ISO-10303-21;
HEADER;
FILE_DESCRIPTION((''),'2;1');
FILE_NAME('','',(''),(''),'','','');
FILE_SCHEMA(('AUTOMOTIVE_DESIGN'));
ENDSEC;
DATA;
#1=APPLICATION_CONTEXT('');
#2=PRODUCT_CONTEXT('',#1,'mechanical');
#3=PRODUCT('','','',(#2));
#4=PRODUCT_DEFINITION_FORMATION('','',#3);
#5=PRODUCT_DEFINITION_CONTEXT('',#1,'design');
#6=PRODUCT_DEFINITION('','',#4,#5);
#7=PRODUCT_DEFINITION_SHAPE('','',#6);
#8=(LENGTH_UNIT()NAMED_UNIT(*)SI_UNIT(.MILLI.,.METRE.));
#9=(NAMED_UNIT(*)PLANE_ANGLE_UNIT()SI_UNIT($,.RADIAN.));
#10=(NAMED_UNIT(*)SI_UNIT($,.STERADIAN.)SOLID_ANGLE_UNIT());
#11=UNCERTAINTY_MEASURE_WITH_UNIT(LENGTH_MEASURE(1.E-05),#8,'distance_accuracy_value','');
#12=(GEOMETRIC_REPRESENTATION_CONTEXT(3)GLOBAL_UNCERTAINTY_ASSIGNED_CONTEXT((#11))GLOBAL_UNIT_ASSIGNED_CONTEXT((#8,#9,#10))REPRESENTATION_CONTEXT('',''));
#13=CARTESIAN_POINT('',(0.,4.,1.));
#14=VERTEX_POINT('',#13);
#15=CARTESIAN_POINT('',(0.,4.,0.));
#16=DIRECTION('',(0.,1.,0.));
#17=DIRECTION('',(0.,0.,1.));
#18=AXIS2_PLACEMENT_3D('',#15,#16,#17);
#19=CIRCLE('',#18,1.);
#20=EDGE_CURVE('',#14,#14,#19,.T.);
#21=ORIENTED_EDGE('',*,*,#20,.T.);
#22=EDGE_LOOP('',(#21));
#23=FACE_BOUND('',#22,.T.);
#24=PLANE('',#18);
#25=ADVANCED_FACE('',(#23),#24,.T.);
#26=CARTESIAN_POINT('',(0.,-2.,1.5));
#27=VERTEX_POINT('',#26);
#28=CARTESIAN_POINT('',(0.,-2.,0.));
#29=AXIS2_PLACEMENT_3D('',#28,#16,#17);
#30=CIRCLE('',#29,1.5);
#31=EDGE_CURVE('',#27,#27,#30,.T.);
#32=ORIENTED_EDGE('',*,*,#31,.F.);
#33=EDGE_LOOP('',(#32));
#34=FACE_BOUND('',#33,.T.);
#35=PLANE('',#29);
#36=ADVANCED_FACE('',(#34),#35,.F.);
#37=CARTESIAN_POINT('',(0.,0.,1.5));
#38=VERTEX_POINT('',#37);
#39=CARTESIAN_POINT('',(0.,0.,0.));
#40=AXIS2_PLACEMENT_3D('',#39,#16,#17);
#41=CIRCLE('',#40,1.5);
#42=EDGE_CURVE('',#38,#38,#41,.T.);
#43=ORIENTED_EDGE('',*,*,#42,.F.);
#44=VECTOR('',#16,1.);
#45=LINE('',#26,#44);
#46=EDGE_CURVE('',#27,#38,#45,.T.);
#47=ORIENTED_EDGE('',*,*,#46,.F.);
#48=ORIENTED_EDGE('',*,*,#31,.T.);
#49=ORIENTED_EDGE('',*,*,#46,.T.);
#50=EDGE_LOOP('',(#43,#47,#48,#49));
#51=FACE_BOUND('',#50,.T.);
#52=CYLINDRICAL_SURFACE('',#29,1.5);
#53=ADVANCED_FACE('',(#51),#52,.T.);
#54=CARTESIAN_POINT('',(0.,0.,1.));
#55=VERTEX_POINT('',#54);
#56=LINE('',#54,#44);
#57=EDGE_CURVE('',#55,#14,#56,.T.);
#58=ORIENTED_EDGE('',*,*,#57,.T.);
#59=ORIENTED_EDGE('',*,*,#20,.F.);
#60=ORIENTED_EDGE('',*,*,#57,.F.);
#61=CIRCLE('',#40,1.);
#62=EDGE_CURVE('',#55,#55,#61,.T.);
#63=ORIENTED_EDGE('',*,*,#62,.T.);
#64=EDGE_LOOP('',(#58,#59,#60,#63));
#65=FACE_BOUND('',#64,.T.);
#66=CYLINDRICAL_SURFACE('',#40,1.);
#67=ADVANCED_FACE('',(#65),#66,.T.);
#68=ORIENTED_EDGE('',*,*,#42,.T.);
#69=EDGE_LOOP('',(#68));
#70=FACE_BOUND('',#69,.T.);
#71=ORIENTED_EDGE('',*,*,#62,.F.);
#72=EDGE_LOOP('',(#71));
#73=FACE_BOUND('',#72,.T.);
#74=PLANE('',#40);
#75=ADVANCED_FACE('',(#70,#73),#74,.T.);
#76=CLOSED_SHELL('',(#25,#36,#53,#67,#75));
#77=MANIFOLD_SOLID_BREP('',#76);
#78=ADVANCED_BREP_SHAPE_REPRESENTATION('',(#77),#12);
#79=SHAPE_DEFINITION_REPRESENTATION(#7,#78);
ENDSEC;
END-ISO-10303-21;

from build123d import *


with BuildPart() as part:
    # Sketch → Revolution (revolve)
    with BuildSketch(Plane.YZ):
        Polygon((-2, 0), (-2, 1.5), (0, 1.5), (0, 1), (4, 1), (4, 0), align=None)
    revolve(axis=Axis((0, 0, 0), (0, 1, 0)))


solid = part.part
